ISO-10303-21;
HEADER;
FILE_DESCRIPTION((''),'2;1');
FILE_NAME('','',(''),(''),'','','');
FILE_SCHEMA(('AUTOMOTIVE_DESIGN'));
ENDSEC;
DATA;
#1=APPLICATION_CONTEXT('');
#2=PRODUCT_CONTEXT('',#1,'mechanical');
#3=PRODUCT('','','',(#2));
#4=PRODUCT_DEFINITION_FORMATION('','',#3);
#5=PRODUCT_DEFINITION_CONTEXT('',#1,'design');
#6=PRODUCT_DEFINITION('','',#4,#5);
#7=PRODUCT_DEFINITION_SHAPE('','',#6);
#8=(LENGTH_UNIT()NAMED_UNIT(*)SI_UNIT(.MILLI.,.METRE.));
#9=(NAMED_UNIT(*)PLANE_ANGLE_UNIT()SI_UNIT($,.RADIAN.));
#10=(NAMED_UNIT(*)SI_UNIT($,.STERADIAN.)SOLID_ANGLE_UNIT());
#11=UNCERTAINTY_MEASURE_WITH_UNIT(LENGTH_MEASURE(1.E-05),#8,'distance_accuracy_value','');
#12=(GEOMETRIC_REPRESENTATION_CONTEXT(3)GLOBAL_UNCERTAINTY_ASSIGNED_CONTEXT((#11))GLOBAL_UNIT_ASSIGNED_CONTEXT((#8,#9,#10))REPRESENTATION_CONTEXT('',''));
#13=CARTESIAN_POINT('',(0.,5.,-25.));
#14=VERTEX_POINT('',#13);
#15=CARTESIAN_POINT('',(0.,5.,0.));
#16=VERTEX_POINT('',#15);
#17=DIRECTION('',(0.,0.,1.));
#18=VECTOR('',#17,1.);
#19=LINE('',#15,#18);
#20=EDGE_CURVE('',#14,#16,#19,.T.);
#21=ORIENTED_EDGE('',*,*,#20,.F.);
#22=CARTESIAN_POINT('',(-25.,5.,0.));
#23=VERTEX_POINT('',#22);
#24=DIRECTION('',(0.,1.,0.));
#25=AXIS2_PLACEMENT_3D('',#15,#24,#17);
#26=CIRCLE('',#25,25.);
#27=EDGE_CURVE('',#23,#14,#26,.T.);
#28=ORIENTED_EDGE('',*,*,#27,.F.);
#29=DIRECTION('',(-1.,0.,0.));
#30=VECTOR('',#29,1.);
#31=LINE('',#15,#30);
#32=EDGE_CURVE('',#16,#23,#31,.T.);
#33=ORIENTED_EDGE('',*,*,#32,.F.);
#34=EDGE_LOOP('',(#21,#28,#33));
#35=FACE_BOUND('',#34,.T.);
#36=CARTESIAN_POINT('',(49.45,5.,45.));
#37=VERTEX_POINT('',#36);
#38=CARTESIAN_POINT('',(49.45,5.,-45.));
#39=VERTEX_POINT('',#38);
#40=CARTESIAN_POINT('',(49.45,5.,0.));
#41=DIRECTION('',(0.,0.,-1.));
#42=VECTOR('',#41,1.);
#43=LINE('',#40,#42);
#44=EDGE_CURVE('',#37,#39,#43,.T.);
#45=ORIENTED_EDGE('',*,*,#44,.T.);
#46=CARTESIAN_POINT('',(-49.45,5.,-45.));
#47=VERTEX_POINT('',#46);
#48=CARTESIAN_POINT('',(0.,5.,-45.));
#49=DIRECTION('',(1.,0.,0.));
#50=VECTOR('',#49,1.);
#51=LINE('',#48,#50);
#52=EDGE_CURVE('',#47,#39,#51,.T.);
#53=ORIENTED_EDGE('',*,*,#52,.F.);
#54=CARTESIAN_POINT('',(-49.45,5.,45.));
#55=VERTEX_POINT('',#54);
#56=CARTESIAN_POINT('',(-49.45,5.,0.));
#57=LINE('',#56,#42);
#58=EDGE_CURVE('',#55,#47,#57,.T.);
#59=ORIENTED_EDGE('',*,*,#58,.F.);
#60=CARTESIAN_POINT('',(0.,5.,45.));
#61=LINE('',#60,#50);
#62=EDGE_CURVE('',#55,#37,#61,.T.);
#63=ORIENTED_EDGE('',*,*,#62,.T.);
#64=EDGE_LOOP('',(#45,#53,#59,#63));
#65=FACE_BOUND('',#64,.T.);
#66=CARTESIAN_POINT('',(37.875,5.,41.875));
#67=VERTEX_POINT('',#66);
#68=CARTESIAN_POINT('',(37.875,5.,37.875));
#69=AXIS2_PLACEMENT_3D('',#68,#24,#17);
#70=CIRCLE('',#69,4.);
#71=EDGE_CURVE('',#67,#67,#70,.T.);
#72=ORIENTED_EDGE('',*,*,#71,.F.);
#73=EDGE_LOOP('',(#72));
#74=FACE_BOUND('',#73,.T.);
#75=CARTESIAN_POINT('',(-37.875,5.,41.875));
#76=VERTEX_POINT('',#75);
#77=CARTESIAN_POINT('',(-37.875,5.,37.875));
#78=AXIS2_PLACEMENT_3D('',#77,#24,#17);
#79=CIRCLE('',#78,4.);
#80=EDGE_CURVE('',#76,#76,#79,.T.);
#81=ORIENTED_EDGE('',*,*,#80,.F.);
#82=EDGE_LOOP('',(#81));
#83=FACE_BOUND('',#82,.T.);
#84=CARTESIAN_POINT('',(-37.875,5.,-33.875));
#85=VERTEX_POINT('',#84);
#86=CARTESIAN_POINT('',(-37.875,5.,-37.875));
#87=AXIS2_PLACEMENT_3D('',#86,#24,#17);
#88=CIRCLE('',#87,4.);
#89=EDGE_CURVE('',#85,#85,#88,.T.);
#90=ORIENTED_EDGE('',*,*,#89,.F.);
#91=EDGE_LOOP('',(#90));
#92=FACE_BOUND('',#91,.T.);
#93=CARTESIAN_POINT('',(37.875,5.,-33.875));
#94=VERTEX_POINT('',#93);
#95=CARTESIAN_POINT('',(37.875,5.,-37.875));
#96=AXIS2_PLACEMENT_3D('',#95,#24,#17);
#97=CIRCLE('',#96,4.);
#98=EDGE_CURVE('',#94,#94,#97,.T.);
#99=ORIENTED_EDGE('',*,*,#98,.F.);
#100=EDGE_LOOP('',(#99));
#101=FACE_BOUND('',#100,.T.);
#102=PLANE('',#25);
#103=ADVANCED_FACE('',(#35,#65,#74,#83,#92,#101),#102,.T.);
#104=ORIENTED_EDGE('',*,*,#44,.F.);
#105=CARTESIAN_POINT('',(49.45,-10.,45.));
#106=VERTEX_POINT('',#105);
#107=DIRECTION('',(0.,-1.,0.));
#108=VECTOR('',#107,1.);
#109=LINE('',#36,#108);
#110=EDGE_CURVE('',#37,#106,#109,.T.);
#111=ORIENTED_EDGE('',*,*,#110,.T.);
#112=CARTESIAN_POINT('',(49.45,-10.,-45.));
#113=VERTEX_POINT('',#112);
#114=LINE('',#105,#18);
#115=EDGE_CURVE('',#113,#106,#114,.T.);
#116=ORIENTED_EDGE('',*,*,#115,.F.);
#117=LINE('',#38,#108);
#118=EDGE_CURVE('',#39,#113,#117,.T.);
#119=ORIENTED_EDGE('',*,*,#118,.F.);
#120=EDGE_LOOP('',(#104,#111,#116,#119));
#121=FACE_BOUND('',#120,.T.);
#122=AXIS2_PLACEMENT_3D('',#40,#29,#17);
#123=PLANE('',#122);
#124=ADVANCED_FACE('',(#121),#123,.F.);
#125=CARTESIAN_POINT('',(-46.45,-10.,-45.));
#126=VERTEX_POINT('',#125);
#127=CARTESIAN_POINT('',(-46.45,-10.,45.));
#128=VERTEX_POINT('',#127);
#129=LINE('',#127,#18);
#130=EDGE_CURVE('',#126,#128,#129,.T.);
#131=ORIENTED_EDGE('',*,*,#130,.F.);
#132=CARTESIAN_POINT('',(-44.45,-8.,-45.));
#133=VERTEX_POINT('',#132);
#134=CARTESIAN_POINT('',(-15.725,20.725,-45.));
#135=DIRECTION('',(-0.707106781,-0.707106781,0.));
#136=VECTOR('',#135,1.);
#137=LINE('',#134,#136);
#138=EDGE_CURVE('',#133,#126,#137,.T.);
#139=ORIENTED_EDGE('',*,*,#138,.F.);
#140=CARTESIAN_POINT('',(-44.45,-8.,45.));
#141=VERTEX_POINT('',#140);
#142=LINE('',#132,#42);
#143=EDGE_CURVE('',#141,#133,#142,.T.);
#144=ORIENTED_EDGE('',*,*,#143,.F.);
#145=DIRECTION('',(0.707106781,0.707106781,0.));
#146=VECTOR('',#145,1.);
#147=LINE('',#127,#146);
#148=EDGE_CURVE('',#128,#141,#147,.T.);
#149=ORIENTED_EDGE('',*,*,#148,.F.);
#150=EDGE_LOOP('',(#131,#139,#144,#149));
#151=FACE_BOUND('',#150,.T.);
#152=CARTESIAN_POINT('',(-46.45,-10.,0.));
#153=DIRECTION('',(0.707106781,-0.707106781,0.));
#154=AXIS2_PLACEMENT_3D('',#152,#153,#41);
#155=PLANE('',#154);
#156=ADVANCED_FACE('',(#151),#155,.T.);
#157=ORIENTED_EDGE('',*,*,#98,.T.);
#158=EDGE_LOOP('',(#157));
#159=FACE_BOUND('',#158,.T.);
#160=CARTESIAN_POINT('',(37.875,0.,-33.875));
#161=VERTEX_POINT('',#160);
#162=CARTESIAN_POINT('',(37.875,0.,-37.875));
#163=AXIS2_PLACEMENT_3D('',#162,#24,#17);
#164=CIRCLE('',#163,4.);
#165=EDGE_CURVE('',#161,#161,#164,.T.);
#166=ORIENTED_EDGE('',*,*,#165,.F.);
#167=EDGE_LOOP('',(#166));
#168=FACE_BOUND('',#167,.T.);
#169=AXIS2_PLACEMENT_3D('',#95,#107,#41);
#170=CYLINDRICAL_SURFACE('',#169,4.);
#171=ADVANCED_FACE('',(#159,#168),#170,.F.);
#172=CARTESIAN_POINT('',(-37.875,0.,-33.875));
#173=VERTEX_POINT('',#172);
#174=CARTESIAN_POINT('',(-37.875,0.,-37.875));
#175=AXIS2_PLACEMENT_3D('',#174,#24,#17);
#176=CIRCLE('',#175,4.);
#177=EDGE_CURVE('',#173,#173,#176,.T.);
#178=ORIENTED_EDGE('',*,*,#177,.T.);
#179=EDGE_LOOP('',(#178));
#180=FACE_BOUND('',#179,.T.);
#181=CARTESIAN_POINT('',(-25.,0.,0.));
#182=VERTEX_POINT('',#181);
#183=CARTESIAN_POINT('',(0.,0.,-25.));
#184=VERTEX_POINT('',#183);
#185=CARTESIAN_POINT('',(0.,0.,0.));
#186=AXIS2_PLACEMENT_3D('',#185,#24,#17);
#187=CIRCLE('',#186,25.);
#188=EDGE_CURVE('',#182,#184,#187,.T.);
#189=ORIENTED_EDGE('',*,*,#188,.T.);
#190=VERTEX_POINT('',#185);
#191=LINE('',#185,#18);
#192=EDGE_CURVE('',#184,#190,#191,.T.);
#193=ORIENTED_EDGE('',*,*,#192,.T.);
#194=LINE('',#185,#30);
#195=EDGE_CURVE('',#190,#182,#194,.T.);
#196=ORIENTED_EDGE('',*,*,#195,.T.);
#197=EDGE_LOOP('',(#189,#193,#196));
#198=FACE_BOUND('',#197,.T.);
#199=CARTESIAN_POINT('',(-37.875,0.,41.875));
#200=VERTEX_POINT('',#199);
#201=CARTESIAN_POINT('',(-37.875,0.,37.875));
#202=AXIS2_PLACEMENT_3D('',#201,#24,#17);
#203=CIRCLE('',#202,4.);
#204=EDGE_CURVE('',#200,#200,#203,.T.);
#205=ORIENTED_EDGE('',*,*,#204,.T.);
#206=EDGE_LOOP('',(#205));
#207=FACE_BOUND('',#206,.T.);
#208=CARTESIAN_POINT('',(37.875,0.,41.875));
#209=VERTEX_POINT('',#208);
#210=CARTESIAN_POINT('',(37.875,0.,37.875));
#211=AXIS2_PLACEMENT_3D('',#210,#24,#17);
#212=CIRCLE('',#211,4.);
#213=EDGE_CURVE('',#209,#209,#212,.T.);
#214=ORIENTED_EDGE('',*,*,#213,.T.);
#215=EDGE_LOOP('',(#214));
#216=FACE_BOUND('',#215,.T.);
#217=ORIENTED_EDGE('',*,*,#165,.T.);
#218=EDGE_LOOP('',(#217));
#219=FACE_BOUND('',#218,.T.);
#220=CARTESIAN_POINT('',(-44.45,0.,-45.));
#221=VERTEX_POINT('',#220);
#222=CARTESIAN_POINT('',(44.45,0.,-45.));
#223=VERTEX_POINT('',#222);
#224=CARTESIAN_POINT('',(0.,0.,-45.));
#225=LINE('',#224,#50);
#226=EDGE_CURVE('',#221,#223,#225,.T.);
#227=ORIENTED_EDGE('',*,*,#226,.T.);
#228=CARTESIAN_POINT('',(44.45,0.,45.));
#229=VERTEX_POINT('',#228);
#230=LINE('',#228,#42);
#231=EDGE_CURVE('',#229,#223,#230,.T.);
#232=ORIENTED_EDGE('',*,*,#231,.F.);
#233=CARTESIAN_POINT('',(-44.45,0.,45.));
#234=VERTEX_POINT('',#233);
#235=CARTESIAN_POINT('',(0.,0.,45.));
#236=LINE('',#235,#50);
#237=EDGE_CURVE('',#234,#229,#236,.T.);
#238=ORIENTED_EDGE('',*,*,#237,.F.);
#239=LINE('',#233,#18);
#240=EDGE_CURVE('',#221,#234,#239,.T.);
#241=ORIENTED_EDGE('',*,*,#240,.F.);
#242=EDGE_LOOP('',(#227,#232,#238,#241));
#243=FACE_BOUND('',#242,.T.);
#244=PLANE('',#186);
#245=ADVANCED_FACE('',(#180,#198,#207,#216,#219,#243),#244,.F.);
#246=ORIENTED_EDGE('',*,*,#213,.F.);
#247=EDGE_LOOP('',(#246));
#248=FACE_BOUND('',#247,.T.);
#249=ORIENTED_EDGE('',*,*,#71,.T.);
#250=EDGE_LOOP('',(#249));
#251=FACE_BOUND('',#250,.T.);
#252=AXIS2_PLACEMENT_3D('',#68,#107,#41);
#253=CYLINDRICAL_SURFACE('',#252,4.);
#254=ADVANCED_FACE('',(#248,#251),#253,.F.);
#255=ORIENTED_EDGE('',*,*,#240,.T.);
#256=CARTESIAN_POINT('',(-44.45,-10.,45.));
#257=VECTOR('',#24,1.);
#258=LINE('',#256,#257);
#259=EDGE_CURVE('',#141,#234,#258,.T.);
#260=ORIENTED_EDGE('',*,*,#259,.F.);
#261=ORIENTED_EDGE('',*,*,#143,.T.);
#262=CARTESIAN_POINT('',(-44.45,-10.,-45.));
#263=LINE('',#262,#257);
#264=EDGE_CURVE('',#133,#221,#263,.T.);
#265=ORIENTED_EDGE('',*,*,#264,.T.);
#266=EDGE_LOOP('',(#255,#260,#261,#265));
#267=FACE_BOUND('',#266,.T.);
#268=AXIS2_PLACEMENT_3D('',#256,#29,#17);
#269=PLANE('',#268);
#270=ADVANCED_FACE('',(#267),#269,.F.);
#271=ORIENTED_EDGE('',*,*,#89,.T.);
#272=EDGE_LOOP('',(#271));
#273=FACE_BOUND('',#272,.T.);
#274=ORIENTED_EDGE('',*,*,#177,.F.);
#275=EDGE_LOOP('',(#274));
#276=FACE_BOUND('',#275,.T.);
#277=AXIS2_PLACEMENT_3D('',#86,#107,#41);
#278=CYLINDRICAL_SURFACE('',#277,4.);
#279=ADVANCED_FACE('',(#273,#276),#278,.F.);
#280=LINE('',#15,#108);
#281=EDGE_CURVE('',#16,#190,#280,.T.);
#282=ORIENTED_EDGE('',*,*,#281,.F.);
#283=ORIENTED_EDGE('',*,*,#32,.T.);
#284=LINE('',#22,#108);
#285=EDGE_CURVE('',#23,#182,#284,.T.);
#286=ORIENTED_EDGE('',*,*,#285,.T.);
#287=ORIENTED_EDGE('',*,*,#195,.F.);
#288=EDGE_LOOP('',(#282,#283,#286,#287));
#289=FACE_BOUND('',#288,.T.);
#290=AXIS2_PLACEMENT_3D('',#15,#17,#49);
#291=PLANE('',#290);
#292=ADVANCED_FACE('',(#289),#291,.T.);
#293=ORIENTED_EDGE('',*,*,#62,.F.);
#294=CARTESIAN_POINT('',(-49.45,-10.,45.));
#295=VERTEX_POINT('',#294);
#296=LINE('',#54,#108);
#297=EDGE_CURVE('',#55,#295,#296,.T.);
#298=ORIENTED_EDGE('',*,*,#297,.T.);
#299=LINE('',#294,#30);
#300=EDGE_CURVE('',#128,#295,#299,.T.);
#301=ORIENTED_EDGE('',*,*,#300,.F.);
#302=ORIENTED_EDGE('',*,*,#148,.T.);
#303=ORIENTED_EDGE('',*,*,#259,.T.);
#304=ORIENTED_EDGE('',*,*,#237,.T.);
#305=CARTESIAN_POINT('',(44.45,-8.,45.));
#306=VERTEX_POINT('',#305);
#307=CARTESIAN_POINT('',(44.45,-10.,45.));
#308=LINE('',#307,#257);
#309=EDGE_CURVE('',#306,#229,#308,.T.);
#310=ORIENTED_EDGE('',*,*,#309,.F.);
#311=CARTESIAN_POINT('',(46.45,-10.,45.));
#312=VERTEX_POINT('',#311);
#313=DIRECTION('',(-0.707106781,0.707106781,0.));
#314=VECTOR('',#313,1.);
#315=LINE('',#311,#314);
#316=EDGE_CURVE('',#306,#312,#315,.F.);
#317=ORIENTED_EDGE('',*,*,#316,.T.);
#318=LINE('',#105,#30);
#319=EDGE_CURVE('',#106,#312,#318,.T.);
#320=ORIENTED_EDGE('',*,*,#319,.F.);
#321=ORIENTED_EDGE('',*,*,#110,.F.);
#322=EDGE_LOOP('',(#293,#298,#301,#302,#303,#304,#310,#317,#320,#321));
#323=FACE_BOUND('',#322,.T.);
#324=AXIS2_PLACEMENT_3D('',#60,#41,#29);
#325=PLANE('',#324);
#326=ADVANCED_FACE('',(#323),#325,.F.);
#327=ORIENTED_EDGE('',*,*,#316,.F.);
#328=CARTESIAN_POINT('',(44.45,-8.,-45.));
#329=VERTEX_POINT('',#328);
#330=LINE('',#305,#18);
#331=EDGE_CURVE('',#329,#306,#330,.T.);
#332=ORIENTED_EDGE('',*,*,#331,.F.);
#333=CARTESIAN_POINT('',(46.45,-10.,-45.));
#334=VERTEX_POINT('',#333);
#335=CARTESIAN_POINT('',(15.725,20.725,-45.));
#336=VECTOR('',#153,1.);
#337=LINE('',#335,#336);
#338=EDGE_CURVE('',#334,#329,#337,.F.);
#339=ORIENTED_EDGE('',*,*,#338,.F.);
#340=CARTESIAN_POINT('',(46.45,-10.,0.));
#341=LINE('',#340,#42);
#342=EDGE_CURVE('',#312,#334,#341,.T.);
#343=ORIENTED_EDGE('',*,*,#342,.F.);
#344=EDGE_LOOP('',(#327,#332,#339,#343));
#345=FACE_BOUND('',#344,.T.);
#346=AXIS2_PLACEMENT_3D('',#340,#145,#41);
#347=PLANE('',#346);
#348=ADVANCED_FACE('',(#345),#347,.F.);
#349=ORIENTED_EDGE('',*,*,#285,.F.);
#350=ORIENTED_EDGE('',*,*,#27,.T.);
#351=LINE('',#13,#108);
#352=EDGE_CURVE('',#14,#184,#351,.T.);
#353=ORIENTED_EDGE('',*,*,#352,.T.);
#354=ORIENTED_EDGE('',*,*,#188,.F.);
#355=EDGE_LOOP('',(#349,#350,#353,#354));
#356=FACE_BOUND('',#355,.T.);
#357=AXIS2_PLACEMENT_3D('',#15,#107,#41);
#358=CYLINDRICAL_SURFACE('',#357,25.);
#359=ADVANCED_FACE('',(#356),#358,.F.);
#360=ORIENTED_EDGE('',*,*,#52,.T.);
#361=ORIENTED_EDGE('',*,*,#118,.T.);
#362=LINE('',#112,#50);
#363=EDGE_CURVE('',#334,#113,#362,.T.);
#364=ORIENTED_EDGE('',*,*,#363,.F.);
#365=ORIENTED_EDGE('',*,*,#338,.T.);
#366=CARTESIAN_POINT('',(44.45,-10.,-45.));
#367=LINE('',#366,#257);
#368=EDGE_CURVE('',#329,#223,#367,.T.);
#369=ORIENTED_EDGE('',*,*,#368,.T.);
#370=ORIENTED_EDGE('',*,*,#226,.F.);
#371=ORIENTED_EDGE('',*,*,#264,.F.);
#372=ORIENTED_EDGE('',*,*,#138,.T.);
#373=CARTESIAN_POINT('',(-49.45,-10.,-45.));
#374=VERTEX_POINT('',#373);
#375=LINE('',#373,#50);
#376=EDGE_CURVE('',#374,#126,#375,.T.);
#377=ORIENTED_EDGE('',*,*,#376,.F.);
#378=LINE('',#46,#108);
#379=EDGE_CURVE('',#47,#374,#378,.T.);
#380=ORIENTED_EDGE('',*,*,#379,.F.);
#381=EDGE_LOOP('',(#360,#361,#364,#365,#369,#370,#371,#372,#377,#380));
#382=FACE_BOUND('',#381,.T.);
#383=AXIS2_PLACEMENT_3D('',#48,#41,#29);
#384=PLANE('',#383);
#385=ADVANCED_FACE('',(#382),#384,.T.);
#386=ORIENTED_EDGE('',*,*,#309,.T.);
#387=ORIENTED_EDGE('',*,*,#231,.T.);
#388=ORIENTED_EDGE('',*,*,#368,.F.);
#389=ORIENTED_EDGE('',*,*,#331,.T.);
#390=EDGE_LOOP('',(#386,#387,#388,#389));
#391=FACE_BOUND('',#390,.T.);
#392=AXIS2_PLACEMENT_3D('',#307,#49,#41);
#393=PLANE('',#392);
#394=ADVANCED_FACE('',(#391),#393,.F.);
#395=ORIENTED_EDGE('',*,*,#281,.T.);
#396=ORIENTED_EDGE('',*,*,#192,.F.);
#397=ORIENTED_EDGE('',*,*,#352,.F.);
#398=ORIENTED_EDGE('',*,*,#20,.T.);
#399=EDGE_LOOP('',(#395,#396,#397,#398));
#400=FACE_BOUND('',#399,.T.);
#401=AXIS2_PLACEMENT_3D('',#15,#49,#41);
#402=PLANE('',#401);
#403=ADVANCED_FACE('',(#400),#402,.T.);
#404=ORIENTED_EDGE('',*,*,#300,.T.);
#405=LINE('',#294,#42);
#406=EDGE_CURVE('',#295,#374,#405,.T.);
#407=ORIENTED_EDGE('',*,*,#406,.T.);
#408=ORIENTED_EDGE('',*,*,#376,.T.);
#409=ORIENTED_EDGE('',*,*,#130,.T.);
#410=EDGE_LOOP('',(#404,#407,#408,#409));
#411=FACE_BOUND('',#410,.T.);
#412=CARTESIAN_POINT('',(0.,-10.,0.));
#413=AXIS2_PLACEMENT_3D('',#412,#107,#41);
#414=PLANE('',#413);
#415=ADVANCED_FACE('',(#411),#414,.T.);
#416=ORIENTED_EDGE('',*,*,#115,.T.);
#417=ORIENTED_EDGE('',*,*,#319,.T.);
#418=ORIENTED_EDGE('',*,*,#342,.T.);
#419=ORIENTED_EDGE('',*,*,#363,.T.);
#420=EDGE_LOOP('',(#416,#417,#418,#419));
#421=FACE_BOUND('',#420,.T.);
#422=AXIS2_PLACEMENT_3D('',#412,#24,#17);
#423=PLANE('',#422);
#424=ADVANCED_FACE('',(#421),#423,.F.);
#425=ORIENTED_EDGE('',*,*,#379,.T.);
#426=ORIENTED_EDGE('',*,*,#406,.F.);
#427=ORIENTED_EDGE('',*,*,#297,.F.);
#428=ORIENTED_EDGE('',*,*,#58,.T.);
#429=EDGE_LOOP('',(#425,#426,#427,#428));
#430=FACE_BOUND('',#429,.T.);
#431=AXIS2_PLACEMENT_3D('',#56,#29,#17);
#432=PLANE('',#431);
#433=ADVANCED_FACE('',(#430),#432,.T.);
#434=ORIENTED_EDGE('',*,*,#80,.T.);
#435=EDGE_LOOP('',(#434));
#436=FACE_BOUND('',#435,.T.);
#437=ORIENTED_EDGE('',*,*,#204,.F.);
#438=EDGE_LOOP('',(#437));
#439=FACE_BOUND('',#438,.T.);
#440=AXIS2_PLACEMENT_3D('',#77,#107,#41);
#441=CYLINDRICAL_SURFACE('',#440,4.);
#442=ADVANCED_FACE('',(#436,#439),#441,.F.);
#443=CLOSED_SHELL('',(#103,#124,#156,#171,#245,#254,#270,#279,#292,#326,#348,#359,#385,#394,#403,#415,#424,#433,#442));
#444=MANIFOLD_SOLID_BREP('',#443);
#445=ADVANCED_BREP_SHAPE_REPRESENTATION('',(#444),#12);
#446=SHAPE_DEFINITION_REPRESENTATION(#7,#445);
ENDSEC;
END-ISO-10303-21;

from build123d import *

# Parameters (mm, degrees)
SKETCH1_W           = 98.9
SKETCH1_H           = 90
SKETCH1_R           = 4
BOSS_EXTRUDE1_DEPTH = 5
SKETCH2_W           = 5
SKETCH2_H           = 90
BOSS_EXTRUDE2_DEPTH = 10
CHAMFER1_SIZE       = 2


with BuildPart() as part:
    # Sketch1 → Boss-Extrude1 (new body)
    with BuildSketch(Plane(origin=(0, 0, 0), x_dir=(1, 0, 0), z_dir=(0, 1, 0))):
        Rectangle(SKETCH1_W, SKETCH1_H)
        with Locations(Location((-37.875, -37.875, 0), (0, 0, 270))):
            Circle(SKETCH1_R, mode=Mode.SUBTRACT)
        with Locations(Location((37.875, -37.875, 0), (0, 0, 270))):
            Circle(SKETCH1_R, mode=Mode.SUBTRACT)
        with Locations(Location((-37.875, 37.875, 0), (0, 0, 270))):
            Circle(SKETCH1_R, mode=Mode.SUBTRACT)
        with BuildLine():
            Line((-25, 0), (0, 0))
            Line((0, 0), (0, 25))
            ThreePointArc((0, 25), (17.67766953, -17.67766953), (-25, 0))
        make_face(mode=Mode.SUBTRACT)
        with Locations(Location((37.875, 37.875, 0), (0, 0, 270))):
            Circle(SKETCH1_R, mode=Mode.SUBTRACT)
    extrude(amount=BOSS_EXTRUDE1_DEPTH)

    # Sketch2 → Boss-Extrude2 (add)
    with BuildSketch(Plane.XZ):
        with Locations((-46.95, 0)):
            Rectangle(SKETCH2_W, SKETCH2_H)
        with Locations((46.95, 0)):
            Rectangle(SKETCH2_W, SKETCH2_H)
    extrude(amount=BOSS_EXTRUDE2_DEPTH)

    # Chamfer1
    chamfer1_edges = [part.edges().sort_by_distance(p)[0] for p in [
        (-44.45, -10, 0),
        (44.45, -10, 0),
    ]]
    chamfer(chamfer1_edges, length=CHAMFER1_SIZE)


solid = part.part
